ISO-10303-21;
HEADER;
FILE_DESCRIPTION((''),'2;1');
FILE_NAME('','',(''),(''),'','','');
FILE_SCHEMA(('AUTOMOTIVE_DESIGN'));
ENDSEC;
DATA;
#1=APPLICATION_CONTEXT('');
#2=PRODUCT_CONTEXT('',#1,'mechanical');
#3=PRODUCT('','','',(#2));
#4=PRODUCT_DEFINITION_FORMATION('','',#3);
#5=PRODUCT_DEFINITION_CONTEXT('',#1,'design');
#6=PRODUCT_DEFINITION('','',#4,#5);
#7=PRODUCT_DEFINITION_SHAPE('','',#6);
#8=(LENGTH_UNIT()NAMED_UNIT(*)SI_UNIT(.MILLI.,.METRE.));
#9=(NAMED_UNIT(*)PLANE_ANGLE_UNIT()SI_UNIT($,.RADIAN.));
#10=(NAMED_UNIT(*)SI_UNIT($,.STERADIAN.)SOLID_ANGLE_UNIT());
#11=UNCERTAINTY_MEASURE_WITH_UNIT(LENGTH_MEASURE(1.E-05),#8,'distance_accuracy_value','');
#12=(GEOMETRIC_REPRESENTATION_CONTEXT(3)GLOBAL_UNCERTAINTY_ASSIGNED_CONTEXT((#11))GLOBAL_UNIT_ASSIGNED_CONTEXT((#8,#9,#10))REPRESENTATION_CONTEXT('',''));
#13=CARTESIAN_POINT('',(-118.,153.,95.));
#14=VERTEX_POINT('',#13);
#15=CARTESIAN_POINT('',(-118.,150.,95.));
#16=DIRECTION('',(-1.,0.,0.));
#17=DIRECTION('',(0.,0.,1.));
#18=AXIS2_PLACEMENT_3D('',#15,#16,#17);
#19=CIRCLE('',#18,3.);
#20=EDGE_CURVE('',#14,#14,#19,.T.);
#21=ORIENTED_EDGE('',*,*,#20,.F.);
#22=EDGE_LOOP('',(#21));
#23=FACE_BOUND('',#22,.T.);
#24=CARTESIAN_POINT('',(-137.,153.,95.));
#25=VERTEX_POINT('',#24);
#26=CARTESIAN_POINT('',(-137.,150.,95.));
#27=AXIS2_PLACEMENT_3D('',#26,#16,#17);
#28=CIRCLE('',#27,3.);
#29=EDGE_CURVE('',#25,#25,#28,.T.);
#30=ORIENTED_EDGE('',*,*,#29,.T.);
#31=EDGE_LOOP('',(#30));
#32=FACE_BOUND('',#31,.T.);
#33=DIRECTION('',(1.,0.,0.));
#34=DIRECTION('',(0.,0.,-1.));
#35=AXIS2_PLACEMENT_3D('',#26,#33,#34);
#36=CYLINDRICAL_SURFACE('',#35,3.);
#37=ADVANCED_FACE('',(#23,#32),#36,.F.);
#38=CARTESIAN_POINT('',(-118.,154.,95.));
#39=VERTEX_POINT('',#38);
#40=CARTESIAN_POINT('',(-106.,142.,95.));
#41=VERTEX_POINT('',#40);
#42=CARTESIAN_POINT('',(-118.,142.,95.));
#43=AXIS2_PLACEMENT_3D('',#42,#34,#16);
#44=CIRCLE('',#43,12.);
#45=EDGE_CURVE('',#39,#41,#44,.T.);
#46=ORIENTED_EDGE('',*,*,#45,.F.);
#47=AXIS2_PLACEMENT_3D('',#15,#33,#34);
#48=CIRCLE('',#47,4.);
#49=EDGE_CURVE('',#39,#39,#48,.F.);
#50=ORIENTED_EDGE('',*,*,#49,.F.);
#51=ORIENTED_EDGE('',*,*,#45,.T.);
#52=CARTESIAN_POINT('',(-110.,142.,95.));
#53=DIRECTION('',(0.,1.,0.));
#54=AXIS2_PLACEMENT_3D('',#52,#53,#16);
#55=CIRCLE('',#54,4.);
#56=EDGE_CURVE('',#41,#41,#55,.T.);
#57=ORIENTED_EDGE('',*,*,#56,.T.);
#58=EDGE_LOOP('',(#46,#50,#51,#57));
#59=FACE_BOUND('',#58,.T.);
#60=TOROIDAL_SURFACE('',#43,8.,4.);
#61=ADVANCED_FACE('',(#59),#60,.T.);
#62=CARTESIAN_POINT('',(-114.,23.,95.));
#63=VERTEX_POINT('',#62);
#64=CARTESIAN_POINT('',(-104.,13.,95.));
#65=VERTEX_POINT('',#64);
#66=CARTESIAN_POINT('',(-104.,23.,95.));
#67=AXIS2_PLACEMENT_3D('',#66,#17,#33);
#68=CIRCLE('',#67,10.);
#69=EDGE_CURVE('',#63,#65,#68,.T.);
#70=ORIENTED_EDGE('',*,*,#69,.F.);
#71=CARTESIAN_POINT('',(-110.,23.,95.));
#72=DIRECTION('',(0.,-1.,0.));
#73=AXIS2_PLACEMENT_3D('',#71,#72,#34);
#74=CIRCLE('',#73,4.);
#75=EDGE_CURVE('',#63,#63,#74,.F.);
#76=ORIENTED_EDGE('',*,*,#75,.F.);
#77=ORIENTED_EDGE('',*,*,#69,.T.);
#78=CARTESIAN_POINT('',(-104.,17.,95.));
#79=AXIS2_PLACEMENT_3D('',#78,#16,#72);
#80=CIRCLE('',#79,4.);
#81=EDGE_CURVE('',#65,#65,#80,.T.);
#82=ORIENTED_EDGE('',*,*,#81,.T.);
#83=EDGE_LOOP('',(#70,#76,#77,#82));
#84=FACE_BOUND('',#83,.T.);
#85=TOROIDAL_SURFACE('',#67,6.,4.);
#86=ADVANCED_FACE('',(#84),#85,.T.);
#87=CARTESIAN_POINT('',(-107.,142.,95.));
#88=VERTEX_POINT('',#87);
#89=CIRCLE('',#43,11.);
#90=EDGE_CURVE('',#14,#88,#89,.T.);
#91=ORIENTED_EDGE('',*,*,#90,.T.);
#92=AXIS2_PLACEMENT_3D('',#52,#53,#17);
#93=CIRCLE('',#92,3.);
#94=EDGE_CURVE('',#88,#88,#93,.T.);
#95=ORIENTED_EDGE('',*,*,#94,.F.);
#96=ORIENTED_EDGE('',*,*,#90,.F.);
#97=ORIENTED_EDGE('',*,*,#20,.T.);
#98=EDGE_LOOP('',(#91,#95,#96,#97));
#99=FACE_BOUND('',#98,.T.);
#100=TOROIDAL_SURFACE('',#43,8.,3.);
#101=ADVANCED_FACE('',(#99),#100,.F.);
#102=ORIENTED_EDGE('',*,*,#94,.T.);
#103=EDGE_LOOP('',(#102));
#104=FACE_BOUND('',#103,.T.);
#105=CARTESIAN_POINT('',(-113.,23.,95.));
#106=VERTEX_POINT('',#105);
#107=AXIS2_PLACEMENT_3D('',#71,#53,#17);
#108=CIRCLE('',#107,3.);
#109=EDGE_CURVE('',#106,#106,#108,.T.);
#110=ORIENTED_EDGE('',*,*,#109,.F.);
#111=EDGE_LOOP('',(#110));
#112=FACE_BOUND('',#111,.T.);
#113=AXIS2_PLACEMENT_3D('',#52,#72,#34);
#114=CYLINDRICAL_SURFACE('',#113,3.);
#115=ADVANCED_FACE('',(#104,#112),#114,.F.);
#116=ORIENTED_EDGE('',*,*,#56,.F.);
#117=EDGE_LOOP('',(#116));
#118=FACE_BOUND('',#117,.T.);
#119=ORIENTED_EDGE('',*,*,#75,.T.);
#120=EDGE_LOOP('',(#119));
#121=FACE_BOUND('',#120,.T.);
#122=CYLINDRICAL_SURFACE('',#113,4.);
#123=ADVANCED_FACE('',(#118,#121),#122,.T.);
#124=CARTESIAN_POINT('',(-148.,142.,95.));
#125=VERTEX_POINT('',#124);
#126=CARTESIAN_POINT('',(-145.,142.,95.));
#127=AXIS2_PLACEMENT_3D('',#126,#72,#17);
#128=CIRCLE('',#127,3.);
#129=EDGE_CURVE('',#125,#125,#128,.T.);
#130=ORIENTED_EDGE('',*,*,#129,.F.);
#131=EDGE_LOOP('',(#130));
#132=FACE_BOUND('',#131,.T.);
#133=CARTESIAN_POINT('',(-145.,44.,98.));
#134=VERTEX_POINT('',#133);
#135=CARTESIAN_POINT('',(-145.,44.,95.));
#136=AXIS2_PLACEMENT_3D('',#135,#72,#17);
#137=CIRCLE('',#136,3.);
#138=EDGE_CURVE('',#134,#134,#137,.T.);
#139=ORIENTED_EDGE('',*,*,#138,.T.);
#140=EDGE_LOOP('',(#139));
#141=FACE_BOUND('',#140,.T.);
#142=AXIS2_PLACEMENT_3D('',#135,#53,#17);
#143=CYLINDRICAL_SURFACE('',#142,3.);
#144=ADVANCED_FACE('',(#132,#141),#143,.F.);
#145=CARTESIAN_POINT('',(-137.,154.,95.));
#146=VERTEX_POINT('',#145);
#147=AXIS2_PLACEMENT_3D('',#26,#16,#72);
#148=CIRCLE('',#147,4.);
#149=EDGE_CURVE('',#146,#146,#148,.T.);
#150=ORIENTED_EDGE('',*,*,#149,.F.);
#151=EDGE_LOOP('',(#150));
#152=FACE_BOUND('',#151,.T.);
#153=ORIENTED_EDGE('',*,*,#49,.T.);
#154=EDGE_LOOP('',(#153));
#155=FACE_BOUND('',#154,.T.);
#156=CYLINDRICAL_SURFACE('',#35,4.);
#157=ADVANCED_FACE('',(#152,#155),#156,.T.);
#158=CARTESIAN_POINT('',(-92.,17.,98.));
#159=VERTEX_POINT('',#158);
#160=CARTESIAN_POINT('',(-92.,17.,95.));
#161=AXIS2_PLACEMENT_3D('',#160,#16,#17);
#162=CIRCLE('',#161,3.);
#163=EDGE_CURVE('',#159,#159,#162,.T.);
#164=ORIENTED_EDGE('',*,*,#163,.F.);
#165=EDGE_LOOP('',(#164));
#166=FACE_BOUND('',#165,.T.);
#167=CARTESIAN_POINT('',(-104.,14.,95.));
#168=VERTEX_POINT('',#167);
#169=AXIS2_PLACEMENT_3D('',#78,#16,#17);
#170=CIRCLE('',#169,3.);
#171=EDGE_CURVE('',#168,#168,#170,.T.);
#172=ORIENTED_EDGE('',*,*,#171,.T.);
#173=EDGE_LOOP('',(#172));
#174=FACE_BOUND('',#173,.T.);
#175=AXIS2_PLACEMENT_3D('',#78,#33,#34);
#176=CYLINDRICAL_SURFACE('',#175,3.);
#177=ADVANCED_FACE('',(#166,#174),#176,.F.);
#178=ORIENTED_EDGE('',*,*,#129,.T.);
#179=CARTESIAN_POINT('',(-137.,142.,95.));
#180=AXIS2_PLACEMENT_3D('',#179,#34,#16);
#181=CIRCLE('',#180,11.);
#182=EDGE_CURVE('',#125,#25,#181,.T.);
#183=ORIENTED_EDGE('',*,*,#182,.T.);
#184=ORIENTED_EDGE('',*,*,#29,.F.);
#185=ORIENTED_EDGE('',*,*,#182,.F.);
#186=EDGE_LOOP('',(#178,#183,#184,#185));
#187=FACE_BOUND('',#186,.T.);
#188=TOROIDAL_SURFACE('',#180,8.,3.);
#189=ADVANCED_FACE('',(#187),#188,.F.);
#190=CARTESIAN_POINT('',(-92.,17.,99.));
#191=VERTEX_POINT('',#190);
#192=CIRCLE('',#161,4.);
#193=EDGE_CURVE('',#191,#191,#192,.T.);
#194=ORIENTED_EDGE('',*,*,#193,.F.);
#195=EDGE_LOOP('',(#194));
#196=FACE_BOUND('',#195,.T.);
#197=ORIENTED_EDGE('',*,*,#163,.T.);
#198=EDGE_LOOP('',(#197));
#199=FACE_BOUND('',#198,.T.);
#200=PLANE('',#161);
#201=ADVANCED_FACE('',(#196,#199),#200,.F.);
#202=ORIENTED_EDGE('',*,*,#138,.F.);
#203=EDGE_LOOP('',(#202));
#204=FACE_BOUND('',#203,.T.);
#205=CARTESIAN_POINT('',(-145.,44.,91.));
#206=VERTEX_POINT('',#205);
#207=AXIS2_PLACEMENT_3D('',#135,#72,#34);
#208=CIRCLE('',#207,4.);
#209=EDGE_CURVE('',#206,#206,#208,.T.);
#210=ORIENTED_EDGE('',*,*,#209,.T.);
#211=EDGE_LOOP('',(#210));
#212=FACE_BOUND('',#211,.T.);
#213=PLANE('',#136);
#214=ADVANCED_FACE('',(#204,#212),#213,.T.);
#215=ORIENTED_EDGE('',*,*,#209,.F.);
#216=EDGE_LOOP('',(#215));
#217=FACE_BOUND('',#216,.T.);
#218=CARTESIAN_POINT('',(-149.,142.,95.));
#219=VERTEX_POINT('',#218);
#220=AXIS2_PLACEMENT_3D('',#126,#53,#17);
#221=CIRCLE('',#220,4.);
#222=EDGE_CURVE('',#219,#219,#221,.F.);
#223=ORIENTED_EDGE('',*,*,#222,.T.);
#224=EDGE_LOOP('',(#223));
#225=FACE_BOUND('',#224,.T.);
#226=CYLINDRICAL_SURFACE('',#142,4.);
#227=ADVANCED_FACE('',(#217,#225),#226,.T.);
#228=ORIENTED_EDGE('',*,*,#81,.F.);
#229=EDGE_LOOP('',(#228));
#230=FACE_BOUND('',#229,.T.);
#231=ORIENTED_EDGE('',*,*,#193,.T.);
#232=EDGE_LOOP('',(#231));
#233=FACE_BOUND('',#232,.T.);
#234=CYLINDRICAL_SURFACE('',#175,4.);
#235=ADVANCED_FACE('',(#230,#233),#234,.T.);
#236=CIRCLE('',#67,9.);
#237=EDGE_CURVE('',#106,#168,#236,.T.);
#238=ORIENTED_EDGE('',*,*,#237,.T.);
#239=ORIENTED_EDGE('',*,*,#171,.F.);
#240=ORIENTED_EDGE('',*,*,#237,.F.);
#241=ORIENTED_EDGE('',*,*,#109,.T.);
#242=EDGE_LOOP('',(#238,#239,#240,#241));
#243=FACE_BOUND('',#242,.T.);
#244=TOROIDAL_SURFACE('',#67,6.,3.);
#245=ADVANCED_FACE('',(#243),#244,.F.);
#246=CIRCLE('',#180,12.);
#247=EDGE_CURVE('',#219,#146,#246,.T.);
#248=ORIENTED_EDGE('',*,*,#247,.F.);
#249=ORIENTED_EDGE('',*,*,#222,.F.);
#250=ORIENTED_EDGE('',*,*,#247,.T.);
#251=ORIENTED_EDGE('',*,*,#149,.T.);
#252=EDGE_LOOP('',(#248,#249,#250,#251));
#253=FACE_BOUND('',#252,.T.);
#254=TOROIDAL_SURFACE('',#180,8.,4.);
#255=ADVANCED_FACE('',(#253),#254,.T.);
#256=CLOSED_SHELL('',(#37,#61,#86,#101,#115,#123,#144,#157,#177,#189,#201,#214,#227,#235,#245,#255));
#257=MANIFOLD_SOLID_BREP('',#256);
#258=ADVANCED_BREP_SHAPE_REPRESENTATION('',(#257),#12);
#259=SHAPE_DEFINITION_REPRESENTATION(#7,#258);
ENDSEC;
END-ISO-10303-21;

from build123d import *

# Parameters (mm, degrees)
TUBE_PROFILE_R   = 4
TUBE_PROFILE_R_2 = 3


with BuildPart() as part:
    # Tube: sweep along a curve in space
    with BuildLine() as tube_path:
        Line((-145, 44, 95), (-145, 142, 95))
        ThreePointArc((-137, 150, 95), (-142.656854249, 147.656854249, 95), (-145, 142, 95))
        Line((-137, 150, 95), (-118, 150, 95))
        ThreePointArc((-110, 142, 95), (-112.343145751, 147.656854249, 95), (-118, 150, 95))
        Line((-110, 142, 95), (-110, 23, 95))
        ThreePointArc((-104, 17, 95), (-108.242640687, 18.757359313, 95), (-110, 23, 95))
        Line((-104, 17, 95), (-92, 17, 95))
    # Tube profile (on start of the path) → Tube (sweep)
    with BuildSketch(Plane(origin=(-145, 44, 95), x_dir=(0, 0, 1), z_dir=(0, 1, 0))):
        Circle(TUBE_PROFILE_R)
        Circle(TUBE_PROFILE_R_2, mode=Mode.SUBTRACT)
    sweep(path=tube_path.line)


solid = part.part
